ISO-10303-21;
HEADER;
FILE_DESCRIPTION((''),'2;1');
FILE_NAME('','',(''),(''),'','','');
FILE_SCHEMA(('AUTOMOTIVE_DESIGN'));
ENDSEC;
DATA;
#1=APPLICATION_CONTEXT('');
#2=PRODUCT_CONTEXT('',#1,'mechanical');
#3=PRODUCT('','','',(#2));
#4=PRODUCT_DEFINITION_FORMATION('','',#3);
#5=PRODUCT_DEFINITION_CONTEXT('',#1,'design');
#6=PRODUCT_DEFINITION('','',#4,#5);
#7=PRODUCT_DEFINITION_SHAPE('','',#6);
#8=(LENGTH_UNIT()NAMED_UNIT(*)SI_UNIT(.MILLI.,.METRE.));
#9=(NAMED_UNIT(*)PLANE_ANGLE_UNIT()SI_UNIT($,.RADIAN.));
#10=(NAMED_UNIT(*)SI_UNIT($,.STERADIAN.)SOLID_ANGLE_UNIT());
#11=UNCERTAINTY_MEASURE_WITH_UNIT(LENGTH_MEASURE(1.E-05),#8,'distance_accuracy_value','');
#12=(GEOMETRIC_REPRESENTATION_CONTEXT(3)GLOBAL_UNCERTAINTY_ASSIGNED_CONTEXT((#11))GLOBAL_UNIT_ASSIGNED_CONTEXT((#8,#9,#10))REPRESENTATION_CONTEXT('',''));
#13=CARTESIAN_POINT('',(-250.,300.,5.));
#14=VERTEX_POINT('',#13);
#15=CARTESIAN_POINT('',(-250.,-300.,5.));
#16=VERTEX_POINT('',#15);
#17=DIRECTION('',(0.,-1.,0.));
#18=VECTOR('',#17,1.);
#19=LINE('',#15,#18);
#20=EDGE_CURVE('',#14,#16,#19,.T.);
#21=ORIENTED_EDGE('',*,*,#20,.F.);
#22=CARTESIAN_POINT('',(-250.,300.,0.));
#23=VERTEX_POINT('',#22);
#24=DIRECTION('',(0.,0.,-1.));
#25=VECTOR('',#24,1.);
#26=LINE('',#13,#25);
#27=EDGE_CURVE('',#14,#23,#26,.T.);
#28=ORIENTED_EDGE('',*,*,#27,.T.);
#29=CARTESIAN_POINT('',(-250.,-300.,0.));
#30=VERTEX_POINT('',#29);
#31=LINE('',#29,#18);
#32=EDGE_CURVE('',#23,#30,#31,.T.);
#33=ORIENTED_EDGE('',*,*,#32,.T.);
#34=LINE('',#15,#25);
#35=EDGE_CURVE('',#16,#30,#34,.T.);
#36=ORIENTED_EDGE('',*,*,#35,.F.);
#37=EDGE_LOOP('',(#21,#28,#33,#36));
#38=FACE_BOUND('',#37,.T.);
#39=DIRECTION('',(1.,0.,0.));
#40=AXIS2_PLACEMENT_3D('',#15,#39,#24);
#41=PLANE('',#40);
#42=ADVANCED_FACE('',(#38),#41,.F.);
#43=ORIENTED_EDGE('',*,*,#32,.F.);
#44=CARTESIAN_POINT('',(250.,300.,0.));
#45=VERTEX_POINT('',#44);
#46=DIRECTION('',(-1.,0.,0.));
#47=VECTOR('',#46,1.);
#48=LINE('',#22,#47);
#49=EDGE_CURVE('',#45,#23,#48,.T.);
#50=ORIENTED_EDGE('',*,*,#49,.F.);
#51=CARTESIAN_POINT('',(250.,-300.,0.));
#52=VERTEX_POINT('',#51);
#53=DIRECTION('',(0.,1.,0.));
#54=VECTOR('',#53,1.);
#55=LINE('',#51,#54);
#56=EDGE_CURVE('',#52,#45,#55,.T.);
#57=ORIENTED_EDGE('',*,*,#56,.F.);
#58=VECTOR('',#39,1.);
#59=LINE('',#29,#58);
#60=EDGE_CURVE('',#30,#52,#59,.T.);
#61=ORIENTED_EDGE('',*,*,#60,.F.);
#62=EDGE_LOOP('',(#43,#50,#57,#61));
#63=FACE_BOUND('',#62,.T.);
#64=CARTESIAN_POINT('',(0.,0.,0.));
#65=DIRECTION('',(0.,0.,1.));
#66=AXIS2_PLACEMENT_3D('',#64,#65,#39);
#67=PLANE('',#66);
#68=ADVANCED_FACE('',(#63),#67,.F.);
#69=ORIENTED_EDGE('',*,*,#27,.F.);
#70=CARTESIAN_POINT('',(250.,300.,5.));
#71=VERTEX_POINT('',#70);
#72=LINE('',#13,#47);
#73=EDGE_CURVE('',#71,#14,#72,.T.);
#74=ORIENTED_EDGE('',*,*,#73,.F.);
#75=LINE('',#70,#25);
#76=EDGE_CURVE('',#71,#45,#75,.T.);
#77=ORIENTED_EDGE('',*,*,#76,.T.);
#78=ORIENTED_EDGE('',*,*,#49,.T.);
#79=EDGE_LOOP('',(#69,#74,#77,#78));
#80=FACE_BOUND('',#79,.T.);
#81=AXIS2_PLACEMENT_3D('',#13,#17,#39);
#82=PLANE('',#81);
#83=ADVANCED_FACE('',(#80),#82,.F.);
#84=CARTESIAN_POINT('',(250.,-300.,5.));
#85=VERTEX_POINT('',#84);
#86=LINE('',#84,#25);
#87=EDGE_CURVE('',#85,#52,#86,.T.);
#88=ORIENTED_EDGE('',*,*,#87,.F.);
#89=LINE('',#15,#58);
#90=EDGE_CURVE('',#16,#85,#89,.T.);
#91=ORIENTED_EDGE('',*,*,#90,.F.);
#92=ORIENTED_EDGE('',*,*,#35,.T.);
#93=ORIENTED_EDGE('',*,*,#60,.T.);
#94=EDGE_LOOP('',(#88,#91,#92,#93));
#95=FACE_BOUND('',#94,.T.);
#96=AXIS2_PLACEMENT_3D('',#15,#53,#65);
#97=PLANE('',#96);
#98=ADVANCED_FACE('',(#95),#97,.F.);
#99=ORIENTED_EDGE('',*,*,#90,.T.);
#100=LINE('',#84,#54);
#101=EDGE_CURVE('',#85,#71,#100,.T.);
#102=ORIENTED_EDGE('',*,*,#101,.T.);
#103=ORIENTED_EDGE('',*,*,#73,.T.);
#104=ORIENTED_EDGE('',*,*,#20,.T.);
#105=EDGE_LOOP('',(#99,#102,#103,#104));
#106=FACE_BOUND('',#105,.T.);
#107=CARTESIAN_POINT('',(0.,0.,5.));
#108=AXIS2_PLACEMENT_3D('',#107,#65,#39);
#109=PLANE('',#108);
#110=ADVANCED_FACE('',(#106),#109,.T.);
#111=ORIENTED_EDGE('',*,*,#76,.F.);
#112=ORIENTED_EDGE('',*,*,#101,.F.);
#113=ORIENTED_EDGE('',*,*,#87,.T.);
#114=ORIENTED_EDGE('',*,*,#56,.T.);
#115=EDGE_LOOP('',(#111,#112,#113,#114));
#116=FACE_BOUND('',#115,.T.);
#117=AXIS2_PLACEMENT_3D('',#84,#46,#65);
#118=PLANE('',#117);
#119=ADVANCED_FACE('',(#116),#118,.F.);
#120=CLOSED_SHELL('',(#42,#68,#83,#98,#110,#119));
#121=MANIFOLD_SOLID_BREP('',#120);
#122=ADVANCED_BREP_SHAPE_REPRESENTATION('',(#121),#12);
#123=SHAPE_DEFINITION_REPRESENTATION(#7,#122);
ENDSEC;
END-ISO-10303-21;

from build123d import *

# Parameters (mm, degrees)
CROQUIS1_W              = 500
CROQUIS1_H              = 600
SALIENTE_EXTRUIR1_DEPTH = 5


with BuildPart() as part:
    # Croquis1 → Saliente-Extruir1 (new body)
    with BuildSketch(Plane.XY):
        Rectangle(CROQUIS1_W, CROQUIS1_H)
    extrude(amount=SALIENTE_EXTRUIR1_DEPTH)


solid = part.part
